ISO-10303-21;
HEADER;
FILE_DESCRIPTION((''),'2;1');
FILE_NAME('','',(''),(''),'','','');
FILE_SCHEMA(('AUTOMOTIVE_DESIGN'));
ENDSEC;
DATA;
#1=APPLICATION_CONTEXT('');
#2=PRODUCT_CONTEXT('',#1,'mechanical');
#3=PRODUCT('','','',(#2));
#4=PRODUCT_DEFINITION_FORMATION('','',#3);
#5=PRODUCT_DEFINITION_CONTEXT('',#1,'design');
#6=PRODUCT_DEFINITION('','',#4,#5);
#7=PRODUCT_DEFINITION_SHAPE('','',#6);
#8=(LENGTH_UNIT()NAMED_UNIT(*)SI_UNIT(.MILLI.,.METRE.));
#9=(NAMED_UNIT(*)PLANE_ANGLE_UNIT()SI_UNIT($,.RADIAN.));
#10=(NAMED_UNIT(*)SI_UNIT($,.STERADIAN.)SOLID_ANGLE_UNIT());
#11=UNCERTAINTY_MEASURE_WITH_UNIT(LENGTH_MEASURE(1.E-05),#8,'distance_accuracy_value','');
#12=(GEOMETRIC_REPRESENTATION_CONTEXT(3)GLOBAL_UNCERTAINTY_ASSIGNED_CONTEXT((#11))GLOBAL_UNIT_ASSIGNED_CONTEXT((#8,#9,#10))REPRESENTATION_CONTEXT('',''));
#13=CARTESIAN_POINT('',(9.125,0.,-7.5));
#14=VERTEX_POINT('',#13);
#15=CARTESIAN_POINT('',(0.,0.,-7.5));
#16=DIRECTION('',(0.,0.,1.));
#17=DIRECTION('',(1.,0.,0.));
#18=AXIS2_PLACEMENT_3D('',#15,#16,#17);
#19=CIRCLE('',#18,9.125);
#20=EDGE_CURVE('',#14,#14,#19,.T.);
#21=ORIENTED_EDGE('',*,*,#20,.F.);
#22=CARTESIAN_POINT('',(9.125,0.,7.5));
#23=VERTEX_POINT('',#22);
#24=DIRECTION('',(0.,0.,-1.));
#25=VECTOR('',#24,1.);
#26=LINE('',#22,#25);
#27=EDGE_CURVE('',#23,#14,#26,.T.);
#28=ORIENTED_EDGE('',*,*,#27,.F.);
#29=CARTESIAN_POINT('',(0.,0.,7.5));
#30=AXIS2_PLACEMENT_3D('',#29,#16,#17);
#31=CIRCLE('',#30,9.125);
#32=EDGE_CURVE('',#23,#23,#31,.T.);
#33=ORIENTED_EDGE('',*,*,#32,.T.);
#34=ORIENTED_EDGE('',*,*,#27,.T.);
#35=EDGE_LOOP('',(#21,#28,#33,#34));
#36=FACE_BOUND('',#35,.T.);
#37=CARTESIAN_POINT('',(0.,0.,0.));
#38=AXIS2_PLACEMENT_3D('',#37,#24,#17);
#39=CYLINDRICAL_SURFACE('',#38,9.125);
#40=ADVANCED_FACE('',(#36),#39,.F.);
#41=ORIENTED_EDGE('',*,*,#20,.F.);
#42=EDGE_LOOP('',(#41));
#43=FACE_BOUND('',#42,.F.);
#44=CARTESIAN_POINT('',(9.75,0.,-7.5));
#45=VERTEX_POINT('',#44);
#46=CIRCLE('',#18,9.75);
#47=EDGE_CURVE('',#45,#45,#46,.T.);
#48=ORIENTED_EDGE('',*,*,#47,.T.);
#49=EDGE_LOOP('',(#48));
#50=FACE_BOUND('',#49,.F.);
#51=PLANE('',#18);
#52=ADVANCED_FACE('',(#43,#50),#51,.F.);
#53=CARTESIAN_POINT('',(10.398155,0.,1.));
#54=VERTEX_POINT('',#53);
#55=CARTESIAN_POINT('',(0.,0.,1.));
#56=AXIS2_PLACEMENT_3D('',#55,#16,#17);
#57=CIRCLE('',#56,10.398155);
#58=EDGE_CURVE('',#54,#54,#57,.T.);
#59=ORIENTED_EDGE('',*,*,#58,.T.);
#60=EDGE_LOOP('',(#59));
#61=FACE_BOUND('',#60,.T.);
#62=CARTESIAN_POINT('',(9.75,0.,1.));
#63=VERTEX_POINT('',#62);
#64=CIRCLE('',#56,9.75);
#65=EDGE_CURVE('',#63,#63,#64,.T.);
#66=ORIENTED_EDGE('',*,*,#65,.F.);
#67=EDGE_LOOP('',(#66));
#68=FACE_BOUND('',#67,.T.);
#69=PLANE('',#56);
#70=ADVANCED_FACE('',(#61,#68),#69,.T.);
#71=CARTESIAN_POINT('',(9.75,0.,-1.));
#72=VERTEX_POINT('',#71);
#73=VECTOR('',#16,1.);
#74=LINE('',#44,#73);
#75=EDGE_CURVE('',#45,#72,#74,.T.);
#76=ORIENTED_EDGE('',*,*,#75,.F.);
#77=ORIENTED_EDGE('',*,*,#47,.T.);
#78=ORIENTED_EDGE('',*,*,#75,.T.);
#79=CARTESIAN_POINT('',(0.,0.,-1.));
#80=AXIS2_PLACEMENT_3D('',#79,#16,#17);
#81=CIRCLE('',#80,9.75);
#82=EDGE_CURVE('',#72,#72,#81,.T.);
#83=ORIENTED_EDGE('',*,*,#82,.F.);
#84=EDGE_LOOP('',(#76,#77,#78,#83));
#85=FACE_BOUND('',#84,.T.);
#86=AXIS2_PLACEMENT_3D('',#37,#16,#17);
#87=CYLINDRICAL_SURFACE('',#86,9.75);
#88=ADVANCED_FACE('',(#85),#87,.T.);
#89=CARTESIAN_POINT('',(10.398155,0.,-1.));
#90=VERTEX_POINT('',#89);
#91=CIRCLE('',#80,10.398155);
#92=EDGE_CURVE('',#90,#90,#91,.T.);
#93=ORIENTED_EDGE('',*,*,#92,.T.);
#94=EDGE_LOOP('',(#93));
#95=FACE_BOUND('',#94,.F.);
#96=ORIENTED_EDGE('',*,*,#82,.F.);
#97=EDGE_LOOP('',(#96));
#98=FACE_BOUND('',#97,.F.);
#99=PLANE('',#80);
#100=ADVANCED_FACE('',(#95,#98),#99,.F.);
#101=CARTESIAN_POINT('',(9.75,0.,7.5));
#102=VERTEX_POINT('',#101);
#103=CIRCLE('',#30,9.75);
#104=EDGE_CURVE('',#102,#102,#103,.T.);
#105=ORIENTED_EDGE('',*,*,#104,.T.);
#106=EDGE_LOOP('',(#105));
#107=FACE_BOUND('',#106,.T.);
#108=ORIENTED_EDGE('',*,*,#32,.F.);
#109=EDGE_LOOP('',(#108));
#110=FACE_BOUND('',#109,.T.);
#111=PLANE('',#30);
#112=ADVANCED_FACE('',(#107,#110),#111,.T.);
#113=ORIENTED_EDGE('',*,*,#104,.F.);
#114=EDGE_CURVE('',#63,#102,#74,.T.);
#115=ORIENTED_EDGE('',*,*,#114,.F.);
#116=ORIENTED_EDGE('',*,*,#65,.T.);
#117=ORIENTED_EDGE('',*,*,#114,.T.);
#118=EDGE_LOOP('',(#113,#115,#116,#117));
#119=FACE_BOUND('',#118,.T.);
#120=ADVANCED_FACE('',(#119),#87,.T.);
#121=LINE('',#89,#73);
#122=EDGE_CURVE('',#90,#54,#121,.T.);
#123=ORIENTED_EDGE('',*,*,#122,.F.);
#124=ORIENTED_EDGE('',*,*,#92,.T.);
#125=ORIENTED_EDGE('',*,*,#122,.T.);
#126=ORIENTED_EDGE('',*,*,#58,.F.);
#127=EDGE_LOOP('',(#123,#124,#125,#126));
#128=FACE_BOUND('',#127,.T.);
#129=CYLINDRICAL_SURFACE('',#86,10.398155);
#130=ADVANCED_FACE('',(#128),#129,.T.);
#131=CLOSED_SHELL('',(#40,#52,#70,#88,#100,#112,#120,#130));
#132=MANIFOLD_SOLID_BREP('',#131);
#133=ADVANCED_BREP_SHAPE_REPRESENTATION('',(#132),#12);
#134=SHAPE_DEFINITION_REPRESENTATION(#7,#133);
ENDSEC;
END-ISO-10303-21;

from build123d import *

# Parameters (mm, degrees)
F0_R     = 9.75
F0_R_2   = 9.125
F1_DEPTH = 7.5
F2_R     = 10.398155
F2_R_2   = 9.75
F3_DEPTH = 1


with BuildPart() as f1:
    # F0 (on Top) → F1 (new body, symmetric)
    with BuildSketch(Plane.XY):
        Circle(F0_R)
        Circle(F0_R_2, mode=Mode.SUBTRACT)
    extrude(amount=F1_DEPTH, both=True)

    # F2 (on Top) → F3 (join, symmetric)
    with BuildSketch(Plane.XY):
        Circle(F2_R)
        Circle(F2_R_2, mode=Mode.SUBTRACT)
    extrude(amount=F3_DEPTH, both=True)


solid = f1.part
